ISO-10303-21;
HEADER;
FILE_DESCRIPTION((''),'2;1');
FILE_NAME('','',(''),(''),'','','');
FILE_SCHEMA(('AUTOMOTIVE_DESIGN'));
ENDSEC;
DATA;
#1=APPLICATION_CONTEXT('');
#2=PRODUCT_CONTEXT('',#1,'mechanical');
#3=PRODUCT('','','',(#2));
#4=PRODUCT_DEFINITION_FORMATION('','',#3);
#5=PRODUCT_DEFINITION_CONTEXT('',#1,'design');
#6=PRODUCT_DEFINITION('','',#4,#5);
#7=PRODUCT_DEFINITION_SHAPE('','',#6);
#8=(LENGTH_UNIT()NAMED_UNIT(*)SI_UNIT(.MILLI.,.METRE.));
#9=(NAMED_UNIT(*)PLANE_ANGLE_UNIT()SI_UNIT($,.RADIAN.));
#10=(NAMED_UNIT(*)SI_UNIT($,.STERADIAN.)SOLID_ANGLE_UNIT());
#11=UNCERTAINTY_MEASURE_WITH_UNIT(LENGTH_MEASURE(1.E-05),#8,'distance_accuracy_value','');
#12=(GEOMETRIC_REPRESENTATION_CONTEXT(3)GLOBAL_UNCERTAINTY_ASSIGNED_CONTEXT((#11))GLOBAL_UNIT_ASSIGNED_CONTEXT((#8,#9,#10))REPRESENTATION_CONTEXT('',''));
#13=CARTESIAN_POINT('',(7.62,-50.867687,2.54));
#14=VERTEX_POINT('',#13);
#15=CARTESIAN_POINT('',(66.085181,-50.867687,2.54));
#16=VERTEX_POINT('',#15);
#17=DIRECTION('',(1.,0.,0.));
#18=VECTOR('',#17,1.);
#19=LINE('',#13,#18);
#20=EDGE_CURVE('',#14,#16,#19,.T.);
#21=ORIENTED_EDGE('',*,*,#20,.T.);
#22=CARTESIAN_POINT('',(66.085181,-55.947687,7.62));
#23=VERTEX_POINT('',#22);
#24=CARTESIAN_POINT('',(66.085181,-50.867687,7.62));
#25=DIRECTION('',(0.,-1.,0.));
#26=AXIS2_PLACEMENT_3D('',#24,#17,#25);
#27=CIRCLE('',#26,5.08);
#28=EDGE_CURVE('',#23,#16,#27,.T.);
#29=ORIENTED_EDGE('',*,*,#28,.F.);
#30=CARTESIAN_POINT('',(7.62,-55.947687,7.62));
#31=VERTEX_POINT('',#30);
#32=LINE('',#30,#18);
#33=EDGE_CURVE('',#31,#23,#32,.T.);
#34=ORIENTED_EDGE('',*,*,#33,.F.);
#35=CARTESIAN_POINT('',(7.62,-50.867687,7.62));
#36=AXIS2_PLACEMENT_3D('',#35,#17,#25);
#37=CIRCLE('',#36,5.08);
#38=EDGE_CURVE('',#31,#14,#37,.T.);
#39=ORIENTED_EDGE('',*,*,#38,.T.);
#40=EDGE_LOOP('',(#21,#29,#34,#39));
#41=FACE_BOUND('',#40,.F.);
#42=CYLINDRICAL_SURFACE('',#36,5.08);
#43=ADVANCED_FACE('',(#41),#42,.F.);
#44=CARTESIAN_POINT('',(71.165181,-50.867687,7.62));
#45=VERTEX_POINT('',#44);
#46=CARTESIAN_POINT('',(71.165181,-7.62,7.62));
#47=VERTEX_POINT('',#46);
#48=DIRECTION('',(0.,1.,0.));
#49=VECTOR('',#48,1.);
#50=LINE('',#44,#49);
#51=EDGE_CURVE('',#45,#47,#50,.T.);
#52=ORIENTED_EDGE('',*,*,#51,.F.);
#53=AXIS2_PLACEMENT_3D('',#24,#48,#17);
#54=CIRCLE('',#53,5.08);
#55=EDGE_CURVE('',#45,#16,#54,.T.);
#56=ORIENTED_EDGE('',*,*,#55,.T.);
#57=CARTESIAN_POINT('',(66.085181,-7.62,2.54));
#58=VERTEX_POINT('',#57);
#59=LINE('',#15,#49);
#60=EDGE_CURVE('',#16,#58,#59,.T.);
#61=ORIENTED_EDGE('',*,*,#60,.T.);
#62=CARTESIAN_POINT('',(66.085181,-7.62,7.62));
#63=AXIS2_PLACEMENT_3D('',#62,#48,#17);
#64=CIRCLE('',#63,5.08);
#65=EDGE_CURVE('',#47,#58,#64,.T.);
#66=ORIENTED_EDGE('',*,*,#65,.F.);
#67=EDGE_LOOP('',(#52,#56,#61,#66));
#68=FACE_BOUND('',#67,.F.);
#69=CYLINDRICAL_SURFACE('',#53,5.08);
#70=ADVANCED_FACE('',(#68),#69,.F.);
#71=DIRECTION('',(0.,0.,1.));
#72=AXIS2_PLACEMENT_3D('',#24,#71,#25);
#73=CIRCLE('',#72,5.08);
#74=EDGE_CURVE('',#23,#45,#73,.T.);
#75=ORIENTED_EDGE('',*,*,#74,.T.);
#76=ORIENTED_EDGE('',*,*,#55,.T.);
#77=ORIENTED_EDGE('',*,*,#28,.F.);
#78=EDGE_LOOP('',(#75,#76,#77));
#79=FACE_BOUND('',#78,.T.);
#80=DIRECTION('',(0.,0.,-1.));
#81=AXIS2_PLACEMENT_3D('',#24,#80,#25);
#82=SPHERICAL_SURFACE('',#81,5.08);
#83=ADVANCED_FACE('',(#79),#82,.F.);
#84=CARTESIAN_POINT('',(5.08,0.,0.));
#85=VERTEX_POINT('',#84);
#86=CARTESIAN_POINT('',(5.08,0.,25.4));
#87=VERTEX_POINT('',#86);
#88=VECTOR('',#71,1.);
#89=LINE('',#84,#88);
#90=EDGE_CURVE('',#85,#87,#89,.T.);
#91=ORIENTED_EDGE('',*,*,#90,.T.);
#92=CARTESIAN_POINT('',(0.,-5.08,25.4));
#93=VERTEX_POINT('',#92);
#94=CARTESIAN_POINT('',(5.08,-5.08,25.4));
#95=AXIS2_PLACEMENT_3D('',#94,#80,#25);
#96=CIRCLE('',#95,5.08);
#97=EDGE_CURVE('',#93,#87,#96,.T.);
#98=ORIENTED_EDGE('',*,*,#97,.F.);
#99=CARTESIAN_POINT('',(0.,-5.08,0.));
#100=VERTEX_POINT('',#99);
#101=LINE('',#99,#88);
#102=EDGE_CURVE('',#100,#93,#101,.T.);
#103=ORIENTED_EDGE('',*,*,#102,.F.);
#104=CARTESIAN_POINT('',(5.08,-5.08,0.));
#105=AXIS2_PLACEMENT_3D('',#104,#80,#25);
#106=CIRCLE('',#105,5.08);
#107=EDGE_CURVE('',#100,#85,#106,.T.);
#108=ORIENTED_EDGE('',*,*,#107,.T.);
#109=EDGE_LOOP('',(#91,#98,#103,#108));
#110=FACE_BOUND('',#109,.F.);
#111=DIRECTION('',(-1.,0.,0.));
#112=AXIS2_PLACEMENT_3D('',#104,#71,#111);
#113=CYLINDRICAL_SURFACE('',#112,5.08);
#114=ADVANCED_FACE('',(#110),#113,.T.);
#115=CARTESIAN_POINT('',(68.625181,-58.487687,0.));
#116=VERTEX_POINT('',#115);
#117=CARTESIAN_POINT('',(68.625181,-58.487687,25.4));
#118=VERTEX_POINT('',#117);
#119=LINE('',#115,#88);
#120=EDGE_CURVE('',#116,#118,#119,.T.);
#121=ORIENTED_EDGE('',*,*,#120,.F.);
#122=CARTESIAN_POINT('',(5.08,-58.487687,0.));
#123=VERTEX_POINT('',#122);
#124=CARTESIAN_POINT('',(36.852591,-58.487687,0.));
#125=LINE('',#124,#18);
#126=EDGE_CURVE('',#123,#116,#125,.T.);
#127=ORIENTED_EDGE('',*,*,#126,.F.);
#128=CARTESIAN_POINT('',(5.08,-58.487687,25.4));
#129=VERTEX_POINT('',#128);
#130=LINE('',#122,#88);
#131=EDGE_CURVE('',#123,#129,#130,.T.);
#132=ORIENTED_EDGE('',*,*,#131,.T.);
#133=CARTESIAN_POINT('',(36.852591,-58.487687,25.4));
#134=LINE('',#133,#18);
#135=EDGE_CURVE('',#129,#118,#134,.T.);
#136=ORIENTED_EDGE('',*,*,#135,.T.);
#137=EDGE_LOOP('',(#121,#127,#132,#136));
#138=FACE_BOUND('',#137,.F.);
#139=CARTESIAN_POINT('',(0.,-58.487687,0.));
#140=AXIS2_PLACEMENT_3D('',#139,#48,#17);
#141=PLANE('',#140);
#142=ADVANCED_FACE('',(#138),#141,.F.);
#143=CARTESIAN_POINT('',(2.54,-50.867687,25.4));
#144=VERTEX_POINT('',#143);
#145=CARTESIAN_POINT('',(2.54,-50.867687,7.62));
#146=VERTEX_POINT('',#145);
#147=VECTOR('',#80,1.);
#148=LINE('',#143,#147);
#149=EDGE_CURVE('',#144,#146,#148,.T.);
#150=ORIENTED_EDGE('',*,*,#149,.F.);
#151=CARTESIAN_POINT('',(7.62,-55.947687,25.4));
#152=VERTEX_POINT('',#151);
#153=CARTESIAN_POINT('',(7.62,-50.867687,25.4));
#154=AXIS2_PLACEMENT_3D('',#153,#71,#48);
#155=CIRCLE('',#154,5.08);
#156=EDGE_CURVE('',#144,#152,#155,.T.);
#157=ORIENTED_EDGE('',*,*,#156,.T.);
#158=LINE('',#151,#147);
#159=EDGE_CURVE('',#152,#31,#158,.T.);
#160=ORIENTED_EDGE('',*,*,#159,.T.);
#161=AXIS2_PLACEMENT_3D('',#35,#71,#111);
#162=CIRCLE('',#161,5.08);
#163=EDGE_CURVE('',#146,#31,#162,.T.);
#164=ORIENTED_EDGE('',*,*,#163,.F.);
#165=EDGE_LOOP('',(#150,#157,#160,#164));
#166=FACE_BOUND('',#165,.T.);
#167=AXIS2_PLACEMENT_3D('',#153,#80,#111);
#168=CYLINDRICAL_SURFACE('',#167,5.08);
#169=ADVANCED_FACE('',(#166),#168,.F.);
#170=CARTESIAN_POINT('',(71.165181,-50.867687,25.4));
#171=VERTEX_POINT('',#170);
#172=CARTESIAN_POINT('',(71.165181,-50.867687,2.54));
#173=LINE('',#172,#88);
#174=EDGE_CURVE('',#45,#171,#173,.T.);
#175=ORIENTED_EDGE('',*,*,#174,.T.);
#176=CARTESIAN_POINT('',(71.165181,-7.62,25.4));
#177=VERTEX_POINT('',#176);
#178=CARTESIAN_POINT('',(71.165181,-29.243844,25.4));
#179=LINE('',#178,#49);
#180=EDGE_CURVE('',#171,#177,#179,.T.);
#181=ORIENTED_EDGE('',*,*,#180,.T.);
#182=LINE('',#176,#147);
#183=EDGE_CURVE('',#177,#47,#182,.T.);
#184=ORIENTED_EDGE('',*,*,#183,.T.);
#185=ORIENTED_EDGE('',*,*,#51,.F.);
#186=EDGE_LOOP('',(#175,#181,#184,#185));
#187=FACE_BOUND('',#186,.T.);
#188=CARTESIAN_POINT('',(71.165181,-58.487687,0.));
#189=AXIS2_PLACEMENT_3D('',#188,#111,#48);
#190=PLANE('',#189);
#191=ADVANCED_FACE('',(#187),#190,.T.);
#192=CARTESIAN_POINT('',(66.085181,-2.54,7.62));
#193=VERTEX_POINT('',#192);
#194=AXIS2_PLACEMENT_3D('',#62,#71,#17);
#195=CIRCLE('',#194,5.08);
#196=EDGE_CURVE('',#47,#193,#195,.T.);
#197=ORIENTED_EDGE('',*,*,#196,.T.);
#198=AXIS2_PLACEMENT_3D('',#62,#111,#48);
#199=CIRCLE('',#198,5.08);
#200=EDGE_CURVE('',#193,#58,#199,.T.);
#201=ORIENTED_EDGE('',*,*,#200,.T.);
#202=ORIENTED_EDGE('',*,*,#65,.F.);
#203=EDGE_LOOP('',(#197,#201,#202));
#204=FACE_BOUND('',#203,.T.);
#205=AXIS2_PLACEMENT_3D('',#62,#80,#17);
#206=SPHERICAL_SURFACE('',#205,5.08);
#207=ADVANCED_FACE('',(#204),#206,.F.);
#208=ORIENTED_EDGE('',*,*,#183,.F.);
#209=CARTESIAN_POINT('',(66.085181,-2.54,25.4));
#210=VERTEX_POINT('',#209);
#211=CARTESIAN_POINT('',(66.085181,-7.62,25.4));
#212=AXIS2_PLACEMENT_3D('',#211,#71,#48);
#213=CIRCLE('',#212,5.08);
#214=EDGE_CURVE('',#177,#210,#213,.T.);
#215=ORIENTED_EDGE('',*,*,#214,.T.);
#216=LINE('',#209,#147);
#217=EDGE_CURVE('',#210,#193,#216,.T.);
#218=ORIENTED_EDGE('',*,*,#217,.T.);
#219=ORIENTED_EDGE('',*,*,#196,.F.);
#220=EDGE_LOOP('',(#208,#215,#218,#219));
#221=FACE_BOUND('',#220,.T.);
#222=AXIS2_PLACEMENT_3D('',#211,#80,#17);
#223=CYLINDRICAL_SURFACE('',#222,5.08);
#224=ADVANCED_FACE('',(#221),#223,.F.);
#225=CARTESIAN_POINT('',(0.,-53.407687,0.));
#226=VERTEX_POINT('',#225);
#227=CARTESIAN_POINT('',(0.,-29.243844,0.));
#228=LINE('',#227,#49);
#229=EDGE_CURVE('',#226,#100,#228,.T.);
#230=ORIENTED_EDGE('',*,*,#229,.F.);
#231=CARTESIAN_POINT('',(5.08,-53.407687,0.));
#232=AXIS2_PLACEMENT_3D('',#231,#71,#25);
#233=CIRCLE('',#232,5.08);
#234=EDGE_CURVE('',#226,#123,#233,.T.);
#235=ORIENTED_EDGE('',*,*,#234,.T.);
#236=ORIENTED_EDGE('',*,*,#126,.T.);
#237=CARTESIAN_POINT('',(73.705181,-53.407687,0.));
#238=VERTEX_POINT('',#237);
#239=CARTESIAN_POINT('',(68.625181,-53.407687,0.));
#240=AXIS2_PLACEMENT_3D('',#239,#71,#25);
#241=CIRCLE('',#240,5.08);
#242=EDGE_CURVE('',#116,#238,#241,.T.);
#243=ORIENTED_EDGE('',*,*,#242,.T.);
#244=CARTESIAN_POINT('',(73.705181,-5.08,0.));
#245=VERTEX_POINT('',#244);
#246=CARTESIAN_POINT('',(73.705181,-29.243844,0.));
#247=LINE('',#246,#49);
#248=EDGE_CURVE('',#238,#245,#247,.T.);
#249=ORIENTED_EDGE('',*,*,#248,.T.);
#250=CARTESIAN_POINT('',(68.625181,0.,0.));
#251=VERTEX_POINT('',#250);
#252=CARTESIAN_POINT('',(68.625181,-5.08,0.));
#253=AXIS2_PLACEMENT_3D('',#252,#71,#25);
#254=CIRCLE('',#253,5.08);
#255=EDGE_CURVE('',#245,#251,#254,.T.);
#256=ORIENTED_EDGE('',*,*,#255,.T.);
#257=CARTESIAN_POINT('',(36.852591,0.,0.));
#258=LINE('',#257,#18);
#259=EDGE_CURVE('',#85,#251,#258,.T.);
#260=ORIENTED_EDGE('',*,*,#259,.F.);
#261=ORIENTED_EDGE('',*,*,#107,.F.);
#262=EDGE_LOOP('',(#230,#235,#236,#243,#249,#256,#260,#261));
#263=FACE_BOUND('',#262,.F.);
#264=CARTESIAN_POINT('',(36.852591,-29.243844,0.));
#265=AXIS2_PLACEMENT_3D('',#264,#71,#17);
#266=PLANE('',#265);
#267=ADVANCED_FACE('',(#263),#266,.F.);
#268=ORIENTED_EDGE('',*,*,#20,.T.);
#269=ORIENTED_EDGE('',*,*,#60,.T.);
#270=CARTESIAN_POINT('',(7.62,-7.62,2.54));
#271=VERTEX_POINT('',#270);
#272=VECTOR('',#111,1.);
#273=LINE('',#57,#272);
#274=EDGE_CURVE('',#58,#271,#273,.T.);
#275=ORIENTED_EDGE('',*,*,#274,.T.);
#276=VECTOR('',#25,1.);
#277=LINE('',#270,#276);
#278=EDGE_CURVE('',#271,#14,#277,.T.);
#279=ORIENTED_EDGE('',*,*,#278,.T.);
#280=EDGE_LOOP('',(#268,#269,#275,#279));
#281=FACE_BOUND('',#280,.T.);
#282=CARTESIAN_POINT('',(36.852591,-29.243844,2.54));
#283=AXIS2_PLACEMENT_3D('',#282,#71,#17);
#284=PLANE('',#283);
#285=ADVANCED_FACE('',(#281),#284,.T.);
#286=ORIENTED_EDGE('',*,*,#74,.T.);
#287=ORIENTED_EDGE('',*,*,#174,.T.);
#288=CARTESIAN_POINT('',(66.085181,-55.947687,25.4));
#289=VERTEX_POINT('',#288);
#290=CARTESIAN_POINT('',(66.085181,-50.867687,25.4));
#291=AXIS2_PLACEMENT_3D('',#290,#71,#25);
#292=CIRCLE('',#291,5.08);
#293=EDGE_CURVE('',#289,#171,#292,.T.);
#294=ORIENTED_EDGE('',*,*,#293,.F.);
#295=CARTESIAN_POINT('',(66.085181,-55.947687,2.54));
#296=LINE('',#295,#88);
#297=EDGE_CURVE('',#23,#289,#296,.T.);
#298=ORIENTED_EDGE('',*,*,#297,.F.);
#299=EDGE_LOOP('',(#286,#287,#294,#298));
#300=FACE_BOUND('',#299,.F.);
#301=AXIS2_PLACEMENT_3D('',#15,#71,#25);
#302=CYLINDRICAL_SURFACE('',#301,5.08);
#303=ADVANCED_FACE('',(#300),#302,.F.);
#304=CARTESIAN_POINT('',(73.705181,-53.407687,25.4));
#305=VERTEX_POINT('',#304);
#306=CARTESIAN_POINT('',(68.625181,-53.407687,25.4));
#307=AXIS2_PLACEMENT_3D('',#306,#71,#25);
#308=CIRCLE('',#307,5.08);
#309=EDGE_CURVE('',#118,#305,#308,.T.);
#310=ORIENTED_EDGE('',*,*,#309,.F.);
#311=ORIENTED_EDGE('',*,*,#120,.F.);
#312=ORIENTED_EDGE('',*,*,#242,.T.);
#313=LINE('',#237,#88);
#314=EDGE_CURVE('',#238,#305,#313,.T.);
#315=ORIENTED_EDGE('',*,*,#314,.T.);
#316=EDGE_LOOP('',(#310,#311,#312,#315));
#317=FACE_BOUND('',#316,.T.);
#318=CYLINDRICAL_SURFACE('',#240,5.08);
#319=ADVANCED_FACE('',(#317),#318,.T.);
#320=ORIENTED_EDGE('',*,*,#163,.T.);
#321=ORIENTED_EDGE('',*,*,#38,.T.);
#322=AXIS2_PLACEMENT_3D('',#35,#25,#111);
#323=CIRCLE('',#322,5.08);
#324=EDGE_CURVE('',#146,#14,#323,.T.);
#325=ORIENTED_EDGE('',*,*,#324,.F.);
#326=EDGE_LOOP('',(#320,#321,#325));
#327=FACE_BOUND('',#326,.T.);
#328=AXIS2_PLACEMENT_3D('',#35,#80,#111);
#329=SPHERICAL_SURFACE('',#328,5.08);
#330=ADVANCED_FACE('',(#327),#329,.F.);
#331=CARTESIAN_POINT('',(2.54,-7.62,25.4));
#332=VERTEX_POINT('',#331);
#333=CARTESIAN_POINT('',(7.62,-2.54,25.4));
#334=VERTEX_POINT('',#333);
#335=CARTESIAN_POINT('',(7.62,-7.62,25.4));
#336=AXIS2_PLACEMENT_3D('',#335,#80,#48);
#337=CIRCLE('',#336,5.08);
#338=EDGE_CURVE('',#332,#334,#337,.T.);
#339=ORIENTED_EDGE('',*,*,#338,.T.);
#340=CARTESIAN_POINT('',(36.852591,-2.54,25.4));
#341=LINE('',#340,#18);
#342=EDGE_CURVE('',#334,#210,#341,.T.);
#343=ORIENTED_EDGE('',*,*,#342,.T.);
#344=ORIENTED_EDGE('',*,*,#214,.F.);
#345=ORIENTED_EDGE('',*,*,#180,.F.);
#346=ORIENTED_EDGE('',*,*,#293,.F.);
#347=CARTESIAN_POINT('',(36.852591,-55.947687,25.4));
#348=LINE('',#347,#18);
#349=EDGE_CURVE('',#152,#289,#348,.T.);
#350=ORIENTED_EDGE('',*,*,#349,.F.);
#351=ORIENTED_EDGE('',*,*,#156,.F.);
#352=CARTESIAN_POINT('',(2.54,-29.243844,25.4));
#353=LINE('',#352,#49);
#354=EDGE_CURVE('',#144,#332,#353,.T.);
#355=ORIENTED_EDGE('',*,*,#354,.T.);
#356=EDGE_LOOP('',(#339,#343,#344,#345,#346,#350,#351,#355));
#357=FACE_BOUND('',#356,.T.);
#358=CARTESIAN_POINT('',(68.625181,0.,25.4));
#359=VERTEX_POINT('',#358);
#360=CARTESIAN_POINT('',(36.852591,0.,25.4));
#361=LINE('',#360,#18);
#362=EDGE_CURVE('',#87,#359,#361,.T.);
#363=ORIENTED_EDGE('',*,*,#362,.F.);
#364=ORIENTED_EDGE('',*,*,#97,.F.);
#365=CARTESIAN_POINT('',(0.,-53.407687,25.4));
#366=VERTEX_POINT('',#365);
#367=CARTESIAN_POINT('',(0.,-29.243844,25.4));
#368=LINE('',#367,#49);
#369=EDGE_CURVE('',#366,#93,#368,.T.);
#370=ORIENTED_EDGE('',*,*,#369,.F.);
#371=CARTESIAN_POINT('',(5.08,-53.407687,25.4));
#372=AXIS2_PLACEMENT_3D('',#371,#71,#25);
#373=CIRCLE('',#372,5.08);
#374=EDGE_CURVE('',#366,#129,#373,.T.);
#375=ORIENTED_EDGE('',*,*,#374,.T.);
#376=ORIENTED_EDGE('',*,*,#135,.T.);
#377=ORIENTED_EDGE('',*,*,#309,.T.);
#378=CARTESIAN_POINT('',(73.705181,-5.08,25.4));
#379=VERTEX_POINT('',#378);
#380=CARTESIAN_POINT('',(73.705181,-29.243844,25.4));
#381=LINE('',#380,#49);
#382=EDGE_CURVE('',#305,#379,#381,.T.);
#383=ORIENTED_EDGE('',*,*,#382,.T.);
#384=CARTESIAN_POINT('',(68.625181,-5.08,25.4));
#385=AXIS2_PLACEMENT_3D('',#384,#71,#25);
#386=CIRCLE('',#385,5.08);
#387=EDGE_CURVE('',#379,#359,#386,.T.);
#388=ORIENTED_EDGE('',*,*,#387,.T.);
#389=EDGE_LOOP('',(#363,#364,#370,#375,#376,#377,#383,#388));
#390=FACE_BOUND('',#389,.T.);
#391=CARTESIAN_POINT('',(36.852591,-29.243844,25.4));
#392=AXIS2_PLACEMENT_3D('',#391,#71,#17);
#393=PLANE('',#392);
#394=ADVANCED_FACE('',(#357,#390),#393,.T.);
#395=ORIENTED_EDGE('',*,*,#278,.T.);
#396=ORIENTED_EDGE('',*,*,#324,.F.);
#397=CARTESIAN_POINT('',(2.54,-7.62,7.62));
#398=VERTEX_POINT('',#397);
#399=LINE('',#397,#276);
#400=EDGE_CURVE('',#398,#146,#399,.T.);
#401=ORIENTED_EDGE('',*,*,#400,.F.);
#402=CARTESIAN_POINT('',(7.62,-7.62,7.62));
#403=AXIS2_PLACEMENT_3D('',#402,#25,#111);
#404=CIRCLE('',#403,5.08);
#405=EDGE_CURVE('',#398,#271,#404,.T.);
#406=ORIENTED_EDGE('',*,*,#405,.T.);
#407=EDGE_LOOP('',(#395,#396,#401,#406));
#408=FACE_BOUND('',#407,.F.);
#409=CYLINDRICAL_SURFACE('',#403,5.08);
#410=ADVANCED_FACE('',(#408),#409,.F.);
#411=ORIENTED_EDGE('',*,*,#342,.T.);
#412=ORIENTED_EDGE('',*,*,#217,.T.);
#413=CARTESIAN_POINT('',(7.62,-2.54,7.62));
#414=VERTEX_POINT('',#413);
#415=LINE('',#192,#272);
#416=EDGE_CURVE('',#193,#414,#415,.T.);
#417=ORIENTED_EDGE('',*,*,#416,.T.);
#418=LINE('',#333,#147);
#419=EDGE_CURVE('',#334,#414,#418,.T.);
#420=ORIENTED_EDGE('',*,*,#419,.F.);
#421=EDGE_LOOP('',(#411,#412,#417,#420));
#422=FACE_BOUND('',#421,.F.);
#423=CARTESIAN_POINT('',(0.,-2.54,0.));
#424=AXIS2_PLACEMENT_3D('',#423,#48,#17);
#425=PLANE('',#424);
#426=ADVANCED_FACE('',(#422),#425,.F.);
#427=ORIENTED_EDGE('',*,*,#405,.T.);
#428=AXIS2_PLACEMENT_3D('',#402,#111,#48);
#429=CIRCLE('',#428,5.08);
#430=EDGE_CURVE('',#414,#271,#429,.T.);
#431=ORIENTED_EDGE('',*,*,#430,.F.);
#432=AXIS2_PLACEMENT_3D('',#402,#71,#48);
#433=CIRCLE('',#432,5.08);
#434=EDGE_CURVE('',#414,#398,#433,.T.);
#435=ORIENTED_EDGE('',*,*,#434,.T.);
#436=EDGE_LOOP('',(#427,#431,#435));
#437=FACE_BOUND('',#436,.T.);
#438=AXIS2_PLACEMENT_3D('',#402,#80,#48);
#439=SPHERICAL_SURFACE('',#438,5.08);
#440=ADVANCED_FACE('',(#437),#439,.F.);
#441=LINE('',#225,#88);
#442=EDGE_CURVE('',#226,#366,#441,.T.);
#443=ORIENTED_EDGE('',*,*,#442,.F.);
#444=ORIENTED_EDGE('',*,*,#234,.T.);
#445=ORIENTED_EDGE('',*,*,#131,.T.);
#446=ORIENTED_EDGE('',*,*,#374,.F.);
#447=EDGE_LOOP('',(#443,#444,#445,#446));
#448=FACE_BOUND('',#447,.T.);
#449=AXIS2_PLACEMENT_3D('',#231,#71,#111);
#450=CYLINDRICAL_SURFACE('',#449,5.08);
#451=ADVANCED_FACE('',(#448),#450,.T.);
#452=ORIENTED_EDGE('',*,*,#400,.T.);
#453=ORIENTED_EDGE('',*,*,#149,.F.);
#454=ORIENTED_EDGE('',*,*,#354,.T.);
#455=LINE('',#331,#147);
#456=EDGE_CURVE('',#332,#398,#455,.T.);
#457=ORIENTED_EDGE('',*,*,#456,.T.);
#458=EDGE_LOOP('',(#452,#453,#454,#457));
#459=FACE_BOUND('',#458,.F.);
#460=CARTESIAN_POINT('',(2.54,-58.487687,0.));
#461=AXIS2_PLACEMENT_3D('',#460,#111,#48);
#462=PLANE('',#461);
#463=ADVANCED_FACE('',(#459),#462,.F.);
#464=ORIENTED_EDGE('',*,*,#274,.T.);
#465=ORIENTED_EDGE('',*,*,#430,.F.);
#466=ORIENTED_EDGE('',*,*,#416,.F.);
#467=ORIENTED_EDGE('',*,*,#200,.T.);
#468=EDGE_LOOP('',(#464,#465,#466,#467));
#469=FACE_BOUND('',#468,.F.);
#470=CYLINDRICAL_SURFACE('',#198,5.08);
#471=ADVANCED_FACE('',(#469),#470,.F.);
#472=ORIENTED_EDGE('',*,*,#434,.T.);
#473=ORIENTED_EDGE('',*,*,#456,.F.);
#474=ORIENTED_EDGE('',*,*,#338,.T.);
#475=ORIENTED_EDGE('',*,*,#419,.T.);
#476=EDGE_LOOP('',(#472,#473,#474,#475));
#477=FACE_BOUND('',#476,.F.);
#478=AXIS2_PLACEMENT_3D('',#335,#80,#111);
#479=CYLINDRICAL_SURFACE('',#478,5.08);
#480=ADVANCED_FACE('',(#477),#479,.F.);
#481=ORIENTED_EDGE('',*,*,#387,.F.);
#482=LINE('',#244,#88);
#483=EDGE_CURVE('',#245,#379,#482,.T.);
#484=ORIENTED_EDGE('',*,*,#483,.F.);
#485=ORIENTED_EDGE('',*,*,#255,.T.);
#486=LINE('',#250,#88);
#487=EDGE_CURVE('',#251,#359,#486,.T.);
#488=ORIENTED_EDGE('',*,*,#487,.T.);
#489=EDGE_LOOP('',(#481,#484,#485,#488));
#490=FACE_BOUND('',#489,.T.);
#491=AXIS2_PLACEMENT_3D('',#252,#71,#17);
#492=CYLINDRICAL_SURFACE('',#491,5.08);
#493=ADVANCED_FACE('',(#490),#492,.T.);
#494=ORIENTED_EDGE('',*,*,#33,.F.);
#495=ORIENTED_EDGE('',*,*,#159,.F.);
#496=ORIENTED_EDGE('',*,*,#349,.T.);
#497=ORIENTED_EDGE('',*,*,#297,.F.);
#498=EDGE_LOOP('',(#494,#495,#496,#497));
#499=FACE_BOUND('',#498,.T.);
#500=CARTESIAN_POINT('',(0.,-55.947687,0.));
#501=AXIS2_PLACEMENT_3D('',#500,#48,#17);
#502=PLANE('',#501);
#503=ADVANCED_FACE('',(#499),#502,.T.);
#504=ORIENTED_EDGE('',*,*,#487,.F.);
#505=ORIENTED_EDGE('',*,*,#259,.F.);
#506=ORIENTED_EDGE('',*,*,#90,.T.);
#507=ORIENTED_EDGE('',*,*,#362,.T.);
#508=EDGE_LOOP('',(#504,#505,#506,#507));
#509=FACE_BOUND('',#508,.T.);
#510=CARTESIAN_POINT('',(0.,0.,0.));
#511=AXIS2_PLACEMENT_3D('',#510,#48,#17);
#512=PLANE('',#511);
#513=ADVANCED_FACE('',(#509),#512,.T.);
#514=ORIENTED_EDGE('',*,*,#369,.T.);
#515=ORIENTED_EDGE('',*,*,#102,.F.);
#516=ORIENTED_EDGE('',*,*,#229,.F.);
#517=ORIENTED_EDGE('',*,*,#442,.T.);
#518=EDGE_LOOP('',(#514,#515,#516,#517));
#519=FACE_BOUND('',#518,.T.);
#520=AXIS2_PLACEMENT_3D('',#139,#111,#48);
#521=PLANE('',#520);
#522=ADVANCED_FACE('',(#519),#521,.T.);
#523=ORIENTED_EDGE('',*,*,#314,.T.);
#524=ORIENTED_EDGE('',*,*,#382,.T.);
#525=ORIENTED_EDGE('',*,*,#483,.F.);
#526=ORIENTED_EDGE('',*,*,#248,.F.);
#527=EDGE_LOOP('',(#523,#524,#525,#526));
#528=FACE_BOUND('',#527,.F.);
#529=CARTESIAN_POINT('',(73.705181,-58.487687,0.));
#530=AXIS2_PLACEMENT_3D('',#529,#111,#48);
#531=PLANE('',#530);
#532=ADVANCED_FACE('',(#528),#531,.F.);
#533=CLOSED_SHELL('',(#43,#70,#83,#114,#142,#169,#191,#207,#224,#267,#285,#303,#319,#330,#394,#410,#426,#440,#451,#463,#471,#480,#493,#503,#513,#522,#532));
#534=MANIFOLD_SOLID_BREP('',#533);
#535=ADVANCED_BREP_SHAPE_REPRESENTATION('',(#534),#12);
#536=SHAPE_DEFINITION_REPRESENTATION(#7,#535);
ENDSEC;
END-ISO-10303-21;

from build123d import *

# Parameters (mm, degrees)
F0_W     = 73.7051814795
F0_H     = 58.4876872599
F1_DEPTH = 25.4
F2_T     = -2.54
F3_R     = 5.08
F4_R     = 5.08


with BuildPart() as f1:
    # F0 (on Top) → F1 (new body)
    with BuildSketch(Plane.XY):
        with Locations((36.8525907397, -29.24384363)):
            Rectangle(F0_W, F0_H)
    extrude(amount=F1_DEPTH)

    # F2
    f2_openings = [f1.faces().sort_by_distance(p)[0] for p in [
        (36.852591, -29.243844, 25.4),
    ]]
    offset(amount=F2_T, openings=f2_openings)

    # F3
    f3_edges = [f1.edges().sort_by_distance(p)[0] for p in [
        (0, -58.487687, 12.7),
        (0, 0, 12.7),
        (2.54, -55.947687, 13.97),
        (2.54, -2.54, 13.97),
        (73.705181, 0, 12.7),
        (71.165181, -2.54, 13.97),
        (71.165181, -55.947687, 13.97),
        (73.705181, -58.487687, 12.7),
    ]]
    fillet(f3_edges, radius=F3_R)

    # F4
    f4_edges = [f1.edges().sort_by_distance(p)[0] for p in [
        (71.165181, -29.243844, 2.54),
    ]]
    fillet(f4_edges, radius=F4_R)


solid = f1.part
